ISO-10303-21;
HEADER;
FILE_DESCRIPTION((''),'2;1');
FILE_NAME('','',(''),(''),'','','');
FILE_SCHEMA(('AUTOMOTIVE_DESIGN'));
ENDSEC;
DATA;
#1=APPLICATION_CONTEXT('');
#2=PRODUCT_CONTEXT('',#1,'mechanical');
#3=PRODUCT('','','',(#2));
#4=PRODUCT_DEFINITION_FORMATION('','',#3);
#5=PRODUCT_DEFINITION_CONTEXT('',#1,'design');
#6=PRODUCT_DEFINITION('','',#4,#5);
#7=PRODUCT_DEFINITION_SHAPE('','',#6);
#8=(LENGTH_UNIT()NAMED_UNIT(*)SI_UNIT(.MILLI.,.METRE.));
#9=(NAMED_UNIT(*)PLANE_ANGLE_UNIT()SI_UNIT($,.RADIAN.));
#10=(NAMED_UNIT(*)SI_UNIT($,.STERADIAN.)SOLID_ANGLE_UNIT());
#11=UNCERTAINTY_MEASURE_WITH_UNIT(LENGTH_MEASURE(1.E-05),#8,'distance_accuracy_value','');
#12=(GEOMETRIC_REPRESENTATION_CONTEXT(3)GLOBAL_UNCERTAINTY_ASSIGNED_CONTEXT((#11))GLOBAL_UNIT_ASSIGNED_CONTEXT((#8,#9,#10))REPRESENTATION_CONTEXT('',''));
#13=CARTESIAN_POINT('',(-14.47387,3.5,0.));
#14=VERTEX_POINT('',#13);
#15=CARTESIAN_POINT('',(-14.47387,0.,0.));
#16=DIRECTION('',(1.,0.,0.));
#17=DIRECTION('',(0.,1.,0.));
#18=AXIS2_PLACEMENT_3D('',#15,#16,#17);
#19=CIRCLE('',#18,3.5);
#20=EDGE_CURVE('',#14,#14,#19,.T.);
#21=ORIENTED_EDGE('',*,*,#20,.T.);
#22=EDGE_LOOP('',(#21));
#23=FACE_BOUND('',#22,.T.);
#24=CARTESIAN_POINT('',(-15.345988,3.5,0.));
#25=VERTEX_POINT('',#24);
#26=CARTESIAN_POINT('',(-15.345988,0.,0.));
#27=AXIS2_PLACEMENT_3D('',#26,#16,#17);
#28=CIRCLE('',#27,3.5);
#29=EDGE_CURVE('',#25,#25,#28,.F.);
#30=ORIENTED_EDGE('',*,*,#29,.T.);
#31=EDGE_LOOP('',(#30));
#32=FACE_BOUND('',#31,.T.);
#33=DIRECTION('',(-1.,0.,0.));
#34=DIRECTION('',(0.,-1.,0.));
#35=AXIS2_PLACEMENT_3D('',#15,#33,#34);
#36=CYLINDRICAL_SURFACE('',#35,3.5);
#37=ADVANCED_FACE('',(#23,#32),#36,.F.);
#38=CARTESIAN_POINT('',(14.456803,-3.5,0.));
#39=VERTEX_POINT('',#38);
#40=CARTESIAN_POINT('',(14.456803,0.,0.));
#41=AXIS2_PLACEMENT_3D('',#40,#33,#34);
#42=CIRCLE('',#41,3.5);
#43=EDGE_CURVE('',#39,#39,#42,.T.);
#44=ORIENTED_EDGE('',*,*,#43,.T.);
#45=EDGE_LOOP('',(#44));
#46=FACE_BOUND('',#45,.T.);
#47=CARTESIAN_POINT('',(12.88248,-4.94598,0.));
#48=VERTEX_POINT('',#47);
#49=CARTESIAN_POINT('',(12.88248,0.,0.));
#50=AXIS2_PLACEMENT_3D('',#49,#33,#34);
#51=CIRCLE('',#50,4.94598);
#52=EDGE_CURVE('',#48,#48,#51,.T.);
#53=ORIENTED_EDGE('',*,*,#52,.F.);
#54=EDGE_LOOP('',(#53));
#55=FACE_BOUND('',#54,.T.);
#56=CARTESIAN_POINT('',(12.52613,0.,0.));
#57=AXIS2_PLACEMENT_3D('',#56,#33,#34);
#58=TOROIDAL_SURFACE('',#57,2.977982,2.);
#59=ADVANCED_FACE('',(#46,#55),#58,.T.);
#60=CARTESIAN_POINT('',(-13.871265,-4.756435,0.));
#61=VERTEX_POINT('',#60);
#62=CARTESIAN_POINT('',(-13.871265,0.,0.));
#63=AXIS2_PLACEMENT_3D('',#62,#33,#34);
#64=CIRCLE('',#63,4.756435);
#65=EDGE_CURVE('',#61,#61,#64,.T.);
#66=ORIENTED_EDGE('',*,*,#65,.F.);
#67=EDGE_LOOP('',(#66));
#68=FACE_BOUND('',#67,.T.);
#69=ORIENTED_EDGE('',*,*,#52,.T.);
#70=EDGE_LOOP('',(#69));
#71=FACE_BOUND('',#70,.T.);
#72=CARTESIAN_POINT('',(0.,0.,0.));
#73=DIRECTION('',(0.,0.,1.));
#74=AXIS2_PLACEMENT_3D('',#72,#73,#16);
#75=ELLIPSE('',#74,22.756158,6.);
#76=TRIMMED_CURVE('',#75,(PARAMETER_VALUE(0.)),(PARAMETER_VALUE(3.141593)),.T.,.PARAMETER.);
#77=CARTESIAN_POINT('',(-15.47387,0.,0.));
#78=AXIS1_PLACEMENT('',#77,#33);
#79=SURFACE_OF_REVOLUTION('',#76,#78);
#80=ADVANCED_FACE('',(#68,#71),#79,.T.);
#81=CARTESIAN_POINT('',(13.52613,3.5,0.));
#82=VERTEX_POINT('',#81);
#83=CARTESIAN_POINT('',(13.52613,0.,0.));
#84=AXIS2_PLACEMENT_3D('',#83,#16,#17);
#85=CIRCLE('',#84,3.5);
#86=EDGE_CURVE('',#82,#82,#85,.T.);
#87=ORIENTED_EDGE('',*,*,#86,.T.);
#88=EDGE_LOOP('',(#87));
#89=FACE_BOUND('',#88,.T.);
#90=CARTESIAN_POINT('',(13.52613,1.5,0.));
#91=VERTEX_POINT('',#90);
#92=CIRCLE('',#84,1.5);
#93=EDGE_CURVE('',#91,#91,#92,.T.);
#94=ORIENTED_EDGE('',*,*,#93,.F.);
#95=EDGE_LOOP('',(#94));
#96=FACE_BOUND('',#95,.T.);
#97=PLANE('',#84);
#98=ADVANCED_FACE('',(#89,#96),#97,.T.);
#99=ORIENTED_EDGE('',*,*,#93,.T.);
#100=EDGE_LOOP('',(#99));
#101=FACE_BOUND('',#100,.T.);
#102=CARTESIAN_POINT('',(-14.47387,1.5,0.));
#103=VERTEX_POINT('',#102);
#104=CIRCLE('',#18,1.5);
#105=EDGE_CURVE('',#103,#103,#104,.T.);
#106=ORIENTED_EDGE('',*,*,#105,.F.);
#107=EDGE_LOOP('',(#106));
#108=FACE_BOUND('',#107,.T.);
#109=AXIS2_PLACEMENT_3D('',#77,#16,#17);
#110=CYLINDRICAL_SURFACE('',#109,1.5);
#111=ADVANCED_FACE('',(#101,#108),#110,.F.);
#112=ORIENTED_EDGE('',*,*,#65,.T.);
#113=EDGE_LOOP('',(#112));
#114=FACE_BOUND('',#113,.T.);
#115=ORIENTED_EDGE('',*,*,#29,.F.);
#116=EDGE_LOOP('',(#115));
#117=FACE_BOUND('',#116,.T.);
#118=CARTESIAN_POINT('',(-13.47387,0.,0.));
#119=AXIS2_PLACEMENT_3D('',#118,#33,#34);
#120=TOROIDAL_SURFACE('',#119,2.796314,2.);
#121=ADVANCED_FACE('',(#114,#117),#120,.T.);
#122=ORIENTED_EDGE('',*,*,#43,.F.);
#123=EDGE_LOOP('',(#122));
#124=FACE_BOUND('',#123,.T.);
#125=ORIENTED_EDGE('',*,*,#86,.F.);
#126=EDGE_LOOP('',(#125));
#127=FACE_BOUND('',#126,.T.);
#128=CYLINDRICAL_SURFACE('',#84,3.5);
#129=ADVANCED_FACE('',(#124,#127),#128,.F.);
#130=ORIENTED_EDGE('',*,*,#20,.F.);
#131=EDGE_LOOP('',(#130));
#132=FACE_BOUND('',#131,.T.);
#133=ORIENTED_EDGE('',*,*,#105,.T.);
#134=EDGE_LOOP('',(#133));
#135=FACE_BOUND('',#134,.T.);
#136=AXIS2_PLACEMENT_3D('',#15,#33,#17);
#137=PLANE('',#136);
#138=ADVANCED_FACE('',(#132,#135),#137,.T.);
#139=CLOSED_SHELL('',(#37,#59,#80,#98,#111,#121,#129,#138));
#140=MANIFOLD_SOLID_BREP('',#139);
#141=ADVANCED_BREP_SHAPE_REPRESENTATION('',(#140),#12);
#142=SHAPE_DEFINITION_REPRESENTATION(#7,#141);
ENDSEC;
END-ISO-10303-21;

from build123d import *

# Parameters (mm, degrees)
SKETCH2_R          = 1.5
CUT_EXTRUDE1_DEPTH = 31
SKETCH3_R          = 3.5
SKETCH3_R_2        = 1.5
CUT_EXTRUDE2_DEPTH = 1


with BuildPart() as part:
    # Sketch1 → Revolve5 (revolve)
    with BuildSketch(Plane.XY):
        with BuildLine():
            Line((-15.473870067, 0), (14.526129933, 0))
            Line((14.526129933, 0), (14.526129933, 2.977982181))
            ThreePointArc((14.526129933, 2.977982181), (14.061170532, 4.260031462), (12.882479574, 4.945979877))
            add(Edge.make_bspline(
                [(12.882479574, 4.945979877), (-0.755720694, 7.415478586), (-13.871264836, 4.756435317)],
                knots=[0.969017626, 0.969017626, 0.969017626, 2.226302938, 2.226302938, 2.226302938], degree=2, weights=[1, 0.808826436, 1]))
            ThreePointArc((-13.871264836, 4.756435317), (-15.022222343, 4.062253989), (-15.473870067, 2.796313536))
            Line((-15.473870067, 2.796313536), (-15.473870067, 0))
        make_face()
    revolve(axis=Axis((-15.473870067, 0, 0), (1, 0, 0)))

    # Sketch2 → Cut-Extrude1 (cut, through all)
    with BuildSketch(Plane(origin=(14.526129933, 0, 0), x_dir=(0, 0, -1), z_dir=(1, 0, 0))):
        Circle(SKETCH2_R)
    extrude(amount=-CUT_EXTRUDE1_DEPTH, mode=Mode.SUBTRACT)

    # Sketch3 → Cut-Extrude2 (cut)
    with BuildSketch(Plane(origin=(14.526129933, 0, 0), x_dir=(0, 0, -1), z_dir=(1, 0, 0))):
        Circle(SKETCH3_R)
        Circle(SKETCH3_R_2, mode=Mode.SUBTRACT)
    cut_extrude2 = extrude(amount=-CUT_EXTRUDE2_DEPTH, mode=Mode.SUBTRACT)

    # Mirror1: Cut-Extrude2 across plane
    add(cut_extrude2.mirror(Plane(origin=(-0.473870067, 0, 0), x_dir=(0, 0, 1), z_dir=(1, 0, 0))), mode=Mode.SUBTRACT)


solid = part.part
